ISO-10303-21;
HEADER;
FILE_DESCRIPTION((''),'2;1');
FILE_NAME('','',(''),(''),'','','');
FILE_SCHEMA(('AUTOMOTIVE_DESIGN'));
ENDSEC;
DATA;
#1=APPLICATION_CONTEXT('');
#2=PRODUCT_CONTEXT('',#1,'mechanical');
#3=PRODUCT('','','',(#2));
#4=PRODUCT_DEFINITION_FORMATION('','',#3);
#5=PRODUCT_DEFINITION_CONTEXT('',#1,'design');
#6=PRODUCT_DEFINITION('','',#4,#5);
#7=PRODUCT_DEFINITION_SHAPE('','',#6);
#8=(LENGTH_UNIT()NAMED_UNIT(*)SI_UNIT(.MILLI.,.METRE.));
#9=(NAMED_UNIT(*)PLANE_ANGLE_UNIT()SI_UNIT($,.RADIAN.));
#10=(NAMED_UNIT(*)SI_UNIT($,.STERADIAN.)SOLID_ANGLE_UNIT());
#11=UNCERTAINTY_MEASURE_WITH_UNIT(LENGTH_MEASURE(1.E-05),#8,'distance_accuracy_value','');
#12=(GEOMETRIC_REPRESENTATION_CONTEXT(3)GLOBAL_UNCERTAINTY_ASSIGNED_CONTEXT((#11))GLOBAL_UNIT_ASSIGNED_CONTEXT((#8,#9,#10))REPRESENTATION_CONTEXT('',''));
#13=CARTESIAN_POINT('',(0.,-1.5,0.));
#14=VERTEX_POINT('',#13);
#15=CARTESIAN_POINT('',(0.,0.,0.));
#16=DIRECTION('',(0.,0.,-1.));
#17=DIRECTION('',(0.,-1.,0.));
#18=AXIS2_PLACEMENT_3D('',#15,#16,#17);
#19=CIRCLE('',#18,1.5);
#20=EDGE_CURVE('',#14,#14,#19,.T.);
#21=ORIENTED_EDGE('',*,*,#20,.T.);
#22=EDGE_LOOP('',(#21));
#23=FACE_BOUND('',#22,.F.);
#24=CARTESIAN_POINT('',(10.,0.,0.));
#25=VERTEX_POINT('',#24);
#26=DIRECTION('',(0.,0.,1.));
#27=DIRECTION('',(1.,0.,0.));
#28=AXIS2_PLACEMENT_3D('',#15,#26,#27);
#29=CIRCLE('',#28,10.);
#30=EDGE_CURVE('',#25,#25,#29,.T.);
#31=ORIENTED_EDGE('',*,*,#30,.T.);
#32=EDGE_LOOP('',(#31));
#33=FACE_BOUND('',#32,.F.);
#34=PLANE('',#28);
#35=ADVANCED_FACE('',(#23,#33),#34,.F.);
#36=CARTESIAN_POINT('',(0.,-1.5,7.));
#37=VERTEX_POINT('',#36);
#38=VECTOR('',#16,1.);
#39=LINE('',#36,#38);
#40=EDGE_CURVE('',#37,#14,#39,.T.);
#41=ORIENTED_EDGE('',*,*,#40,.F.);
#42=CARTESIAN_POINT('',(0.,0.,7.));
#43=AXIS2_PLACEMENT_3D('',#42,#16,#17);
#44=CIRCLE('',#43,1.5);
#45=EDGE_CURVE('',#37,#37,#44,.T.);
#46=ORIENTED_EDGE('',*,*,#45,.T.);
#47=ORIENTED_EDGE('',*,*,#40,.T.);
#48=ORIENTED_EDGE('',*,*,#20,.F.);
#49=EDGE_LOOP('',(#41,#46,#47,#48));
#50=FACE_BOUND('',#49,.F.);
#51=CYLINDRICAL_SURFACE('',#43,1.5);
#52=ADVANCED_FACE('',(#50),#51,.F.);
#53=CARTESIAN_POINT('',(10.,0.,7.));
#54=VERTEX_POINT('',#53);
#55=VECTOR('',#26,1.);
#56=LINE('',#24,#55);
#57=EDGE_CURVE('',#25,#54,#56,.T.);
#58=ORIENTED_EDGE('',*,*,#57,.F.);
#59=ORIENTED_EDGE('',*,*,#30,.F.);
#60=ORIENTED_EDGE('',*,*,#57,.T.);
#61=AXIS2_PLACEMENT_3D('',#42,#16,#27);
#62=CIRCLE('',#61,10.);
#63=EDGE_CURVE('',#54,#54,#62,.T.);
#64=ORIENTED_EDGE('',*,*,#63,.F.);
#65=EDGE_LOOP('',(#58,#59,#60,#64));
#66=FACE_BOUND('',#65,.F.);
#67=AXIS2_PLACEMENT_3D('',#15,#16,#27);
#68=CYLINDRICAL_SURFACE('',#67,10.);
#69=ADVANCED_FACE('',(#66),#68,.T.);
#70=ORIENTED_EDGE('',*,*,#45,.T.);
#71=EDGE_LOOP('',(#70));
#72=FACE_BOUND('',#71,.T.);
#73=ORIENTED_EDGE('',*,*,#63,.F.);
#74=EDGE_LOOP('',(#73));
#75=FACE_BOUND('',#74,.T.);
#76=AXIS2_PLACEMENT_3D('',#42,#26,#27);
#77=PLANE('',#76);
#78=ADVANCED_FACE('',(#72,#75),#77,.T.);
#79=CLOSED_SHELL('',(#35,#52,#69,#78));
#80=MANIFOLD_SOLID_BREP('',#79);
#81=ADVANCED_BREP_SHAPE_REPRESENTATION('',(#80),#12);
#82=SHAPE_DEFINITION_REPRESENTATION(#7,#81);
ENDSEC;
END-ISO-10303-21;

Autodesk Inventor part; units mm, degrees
ref_plane "YZ Plane" through (0, 0, 0) normal (1, 0, 0) x (0, 1, 0)
ref_plane "XZ Plane" through (0, 0, 0) normal (0, 1, 0) x (-1, 0, 0)
ref_plane "XY Plane" through (0, 0, 0) normal (0, 0, 1) x (1, 0, 0)
sketch "Skizze1" plane through (0, 0, 0) normal (0, 0, 1) x (1, 0, 0)
  line L0 (0, -14) -> (0, 14) projected
  line L1 (-14, 0) -> (14, 0) projected
  circle A0 centre (0, 0) radius 10
  dimension "d0" = 20
extrude "Extrusion1" add sketch "Skizze1" along normal blind 7
sketch "Skizze2" plane through (0, 0, 7) normal (0, 0, 1) x (1, 0, 0)
  point P0 (0, 0)
  point P1 (0, 0)
hole "Bohrung1" at (0, 0, 7) direction (0, 0, -1) diameter 3 end through all
properties part number "abstandshalter 7mm" material "Stahl"
